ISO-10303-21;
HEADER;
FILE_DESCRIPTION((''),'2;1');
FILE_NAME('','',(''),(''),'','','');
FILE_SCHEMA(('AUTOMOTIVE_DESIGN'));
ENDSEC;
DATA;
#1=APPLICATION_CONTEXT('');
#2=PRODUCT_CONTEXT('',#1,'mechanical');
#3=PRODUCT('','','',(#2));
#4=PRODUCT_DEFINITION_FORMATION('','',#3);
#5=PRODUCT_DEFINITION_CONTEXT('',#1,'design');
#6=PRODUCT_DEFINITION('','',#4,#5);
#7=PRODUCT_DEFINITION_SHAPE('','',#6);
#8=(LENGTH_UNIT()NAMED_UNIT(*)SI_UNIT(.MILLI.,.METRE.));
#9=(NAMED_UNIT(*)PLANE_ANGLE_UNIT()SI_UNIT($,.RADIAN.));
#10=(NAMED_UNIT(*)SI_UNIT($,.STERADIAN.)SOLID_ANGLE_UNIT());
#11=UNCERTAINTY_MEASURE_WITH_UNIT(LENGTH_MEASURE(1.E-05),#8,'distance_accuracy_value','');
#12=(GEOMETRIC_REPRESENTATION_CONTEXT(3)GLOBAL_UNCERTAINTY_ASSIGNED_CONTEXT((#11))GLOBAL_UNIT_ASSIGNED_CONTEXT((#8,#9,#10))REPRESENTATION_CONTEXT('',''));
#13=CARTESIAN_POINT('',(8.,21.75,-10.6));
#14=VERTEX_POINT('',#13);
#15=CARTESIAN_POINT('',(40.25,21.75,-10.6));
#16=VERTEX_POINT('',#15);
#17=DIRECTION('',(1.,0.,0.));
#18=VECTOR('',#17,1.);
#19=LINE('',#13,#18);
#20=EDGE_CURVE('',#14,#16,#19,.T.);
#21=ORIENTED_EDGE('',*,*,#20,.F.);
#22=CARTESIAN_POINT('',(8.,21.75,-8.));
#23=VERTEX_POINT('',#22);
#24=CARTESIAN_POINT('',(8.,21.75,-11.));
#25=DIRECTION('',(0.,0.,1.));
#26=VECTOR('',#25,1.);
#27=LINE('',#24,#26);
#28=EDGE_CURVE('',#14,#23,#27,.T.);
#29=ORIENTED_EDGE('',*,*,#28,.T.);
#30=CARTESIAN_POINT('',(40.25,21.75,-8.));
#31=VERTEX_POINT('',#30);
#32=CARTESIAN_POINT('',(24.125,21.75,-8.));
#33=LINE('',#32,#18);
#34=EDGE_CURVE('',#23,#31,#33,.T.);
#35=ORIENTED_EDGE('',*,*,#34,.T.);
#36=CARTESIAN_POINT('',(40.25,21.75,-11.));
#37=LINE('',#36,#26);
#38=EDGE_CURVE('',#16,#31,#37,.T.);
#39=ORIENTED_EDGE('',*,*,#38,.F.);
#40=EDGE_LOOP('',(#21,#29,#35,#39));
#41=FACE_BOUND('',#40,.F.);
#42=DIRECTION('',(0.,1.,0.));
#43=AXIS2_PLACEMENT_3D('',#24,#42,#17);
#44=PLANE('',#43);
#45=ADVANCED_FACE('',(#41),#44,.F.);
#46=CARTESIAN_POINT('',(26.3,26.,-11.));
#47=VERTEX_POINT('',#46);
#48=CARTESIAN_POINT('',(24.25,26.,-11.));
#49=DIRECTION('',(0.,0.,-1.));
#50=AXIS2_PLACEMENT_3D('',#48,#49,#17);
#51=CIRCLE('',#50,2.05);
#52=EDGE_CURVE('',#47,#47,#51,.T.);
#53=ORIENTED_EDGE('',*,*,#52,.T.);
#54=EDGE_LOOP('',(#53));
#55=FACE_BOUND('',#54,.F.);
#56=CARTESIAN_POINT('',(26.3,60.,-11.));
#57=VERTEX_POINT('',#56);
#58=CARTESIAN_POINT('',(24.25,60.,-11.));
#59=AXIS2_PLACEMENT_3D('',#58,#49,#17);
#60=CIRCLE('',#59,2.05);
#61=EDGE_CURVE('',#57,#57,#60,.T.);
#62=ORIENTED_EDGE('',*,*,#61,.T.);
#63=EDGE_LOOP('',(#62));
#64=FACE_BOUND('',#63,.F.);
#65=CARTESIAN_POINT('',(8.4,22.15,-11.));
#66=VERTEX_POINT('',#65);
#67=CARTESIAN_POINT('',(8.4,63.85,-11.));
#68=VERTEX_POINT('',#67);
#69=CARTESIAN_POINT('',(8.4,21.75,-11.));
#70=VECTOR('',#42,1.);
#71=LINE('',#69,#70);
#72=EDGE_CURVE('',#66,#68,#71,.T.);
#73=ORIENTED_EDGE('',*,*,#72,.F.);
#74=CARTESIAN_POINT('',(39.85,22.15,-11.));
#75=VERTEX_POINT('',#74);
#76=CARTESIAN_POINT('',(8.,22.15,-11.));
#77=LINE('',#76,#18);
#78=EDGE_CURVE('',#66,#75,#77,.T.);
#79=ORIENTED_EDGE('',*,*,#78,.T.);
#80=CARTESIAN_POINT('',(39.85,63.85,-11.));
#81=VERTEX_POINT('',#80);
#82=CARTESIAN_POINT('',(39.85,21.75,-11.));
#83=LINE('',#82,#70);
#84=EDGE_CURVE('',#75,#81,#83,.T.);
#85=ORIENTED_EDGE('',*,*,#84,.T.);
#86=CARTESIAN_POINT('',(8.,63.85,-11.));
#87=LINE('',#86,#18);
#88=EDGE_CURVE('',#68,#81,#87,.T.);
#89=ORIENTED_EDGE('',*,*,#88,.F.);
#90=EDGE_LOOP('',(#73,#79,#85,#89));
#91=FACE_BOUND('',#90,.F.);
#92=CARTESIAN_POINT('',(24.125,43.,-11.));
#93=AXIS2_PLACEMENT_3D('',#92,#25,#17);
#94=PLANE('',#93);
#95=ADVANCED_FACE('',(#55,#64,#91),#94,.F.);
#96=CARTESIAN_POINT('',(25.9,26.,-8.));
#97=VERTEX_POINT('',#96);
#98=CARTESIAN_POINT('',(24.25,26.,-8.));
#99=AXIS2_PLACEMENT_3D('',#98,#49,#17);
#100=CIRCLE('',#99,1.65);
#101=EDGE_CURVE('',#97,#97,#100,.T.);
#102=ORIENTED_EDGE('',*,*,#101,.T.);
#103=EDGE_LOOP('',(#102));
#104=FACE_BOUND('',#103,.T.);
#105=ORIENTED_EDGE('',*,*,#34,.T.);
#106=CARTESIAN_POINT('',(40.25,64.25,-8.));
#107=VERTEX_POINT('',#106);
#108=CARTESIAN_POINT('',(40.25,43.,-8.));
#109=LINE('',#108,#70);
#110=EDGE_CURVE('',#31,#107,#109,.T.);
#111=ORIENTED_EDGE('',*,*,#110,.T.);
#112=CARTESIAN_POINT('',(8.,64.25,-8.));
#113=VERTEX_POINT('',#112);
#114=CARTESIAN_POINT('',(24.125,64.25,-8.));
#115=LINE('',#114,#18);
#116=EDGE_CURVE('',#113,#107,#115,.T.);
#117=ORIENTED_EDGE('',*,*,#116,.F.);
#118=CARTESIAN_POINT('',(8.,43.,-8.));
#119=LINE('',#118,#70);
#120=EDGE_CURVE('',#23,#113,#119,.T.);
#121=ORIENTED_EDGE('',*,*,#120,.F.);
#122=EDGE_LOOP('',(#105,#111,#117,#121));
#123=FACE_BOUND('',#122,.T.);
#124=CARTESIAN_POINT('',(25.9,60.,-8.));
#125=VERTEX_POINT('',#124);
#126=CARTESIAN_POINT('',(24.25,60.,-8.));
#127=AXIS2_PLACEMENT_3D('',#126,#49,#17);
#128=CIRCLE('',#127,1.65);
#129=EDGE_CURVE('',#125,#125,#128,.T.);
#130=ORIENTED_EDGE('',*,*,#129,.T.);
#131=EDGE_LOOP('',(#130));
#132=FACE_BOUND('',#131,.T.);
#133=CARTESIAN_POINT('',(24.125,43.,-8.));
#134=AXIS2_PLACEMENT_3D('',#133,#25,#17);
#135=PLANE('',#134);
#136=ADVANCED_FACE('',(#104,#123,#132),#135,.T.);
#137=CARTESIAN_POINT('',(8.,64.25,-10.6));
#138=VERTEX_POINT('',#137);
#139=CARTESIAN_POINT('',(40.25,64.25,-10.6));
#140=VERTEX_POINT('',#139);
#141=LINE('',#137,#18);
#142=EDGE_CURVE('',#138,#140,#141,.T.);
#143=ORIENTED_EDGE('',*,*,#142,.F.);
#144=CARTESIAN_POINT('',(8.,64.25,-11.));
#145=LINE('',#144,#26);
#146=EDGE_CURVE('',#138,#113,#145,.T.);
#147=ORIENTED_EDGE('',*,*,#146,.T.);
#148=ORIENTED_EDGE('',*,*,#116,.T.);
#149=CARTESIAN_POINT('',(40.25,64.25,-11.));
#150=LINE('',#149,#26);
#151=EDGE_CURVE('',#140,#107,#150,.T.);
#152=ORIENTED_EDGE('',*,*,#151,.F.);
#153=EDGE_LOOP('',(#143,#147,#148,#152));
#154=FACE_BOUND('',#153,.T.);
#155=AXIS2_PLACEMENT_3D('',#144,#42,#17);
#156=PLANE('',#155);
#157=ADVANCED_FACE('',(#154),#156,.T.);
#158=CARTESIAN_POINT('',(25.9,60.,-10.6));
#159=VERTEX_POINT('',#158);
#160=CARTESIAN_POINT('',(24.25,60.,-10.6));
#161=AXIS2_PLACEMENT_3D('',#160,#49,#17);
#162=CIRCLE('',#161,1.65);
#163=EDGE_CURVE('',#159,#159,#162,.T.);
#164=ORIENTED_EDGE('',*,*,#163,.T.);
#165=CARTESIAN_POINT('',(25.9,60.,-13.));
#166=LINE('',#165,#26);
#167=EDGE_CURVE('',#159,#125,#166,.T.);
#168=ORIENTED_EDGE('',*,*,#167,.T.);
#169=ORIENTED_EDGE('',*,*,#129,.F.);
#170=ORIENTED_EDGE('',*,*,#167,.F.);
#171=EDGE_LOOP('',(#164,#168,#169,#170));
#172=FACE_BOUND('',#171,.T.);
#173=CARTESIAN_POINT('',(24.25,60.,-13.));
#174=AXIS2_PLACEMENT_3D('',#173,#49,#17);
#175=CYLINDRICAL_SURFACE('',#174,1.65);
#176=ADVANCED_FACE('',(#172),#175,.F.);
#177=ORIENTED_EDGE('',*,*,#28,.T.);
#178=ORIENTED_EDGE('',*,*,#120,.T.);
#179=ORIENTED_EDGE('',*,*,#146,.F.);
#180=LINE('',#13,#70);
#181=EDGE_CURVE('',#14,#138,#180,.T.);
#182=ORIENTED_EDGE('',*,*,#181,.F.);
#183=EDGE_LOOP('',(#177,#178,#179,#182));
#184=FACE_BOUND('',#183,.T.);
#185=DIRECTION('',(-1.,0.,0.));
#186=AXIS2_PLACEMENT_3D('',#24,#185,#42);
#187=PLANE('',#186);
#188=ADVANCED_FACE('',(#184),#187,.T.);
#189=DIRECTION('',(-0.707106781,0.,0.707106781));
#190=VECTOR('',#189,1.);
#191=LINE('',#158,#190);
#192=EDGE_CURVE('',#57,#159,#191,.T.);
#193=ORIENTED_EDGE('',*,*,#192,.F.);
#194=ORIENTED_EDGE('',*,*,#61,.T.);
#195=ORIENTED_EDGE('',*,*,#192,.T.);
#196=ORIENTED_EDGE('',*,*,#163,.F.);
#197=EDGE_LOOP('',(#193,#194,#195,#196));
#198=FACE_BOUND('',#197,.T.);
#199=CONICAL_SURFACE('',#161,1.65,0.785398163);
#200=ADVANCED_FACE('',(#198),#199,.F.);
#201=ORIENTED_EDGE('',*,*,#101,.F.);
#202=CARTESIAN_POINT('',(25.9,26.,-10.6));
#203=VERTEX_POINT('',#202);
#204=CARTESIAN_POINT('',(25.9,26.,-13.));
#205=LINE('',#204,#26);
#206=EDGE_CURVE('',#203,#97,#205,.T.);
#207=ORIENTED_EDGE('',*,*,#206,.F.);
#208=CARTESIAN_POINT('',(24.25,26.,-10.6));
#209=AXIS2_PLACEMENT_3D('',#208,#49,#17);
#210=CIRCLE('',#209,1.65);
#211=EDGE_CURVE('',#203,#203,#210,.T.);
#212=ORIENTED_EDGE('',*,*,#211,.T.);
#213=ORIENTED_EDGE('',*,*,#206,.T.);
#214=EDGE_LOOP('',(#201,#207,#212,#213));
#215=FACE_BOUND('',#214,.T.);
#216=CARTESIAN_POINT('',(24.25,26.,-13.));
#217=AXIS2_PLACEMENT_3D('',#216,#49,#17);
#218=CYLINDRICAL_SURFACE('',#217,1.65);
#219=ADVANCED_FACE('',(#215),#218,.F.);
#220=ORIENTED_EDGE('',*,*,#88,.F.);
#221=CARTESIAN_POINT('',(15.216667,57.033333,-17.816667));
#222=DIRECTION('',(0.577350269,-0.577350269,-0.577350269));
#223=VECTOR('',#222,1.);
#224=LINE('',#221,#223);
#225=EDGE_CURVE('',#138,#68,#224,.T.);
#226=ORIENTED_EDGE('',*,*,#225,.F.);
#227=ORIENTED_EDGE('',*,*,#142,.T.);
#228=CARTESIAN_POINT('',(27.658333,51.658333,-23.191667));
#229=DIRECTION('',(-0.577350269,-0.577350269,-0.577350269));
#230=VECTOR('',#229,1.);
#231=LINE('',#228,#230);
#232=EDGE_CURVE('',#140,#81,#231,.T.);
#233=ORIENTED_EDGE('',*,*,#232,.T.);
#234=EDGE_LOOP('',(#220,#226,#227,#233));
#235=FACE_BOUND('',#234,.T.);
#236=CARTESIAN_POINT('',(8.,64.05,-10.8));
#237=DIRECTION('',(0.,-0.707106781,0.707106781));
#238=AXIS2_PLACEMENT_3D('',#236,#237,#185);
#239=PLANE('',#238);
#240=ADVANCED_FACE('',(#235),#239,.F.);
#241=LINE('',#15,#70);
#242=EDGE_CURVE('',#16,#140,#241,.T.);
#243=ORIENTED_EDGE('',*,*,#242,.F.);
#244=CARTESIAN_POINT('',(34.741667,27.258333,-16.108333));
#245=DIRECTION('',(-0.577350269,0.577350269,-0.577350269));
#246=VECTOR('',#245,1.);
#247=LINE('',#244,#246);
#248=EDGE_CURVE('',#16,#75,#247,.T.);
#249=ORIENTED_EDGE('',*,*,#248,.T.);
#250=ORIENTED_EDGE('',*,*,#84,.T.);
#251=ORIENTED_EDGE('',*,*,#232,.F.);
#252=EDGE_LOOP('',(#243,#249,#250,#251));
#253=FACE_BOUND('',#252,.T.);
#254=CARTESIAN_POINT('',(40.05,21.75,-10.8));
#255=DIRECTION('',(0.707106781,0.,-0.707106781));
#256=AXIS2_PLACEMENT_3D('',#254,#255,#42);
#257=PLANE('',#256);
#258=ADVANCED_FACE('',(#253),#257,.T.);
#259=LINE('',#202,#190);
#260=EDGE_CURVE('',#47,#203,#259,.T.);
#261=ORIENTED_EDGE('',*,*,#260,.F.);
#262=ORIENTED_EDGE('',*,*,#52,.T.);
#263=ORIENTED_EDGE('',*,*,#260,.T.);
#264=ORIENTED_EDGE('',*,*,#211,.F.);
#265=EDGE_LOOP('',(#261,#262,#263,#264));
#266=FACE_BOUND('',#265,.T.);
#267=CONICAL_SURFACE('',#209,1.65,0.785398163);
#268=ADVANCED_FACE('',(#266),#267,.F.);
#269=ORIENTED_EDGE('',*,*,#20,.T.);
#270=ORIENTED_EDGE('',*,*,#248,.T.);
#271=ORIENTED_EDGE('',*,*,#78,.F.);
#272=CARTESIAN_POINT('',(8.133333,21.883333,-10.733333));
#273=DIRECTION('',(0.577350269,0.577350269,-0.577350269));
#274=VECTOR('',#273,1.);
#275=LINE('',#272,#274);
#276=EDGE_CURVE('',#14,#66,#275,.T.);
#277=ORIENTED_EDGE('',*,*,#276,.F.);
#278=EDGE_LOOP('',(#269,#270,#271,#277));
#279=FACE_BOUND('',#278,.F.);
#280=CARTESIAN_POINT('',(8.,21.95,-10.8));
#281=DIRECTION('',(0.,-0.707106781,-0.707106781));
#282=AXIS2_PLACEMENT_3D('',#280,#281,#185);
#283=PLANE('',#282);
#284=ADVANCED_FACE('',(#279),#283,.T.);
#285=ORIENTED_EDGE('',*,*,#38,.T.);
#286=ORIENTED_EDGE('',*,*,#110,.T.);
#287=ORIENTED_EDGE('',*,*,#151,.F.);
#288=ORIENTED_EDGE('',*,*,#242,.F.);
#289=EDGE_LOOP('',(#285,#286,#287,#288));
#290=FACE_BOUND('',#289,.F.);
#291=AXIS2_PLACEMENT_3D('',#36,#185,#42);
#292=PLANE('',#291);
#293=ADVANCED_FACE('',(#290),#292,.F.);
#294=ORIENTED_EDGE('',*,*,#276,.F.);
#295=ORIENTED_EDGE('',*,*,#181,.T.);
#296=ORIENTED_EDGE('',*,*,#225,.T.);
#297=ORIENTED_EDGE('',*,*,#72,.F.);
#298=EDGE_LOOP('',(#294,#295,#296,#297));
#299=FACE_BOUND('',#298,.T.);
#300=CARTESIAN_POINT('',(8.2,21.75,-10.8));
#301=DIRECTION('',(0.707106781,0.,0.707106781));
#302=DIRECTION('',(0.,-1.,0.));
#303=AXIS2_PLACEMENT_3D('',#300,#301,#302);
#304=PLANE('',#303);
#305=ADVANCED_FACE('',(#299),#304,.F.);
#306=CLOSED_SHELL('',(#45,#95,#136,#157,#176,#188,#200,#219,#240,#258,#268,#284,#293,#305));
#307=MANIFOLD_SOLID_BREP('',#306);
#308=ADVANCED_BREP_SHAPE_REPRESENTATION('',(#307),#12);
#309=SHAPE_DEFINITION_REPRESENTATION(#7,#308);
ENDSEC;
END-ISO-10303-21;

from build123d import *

# Parameters (mm, degrees)
CYLINDER043_R            = 1.65
CYLINDER043_DEPTH        = 10
CYLINDER044_R            = 1.65
CYLINDER044_DEPTH        = 10
BOX049_W                 = 32.25
BOX049_H                 = 42.5
BOX049_DEPTH             = 3
CHAMFER029006005013_SIZE = 0.4


with BuildPart() as cylinder043:
    # Cylinder043 → Cylinder043 (new body)
    with BuildSketch(Plane(origin=(24.25, 26, -13), x_dir=(1, 0, 0), z_dir=(0, 0, 1))):
        Circle(CYLINDER043_R)
    extrude(amount=CYLINDER043_DEPTH)


with BuildPart() as fusion006002011004053036004001_body:
    # Cylinder044 → Cylinder044 (new body)
    with BuildSketch(Plane(origin=(24.25, 60, -13), x_dir=(1, 0, 0), z_dir=(0, 0, 1))):
        Circle(CYLINDER044_R)
    extrude(amount=CYLINDER044_DEPTH)

    # Fusion006002011004053036004001028003011014: union Cylinder043
    add(cylinder043.part)


with BuildPart() as bottom_cover_r002:
    # Box049 → Box049 (new body)
    with BuildSketch(Plane(origin=(8, 21.75, -11), x_dir=(1, 0, 0), z_dir=(0, 0, 1))):
        with Locations((16.125, 21.25)):
            Rectangle(BOX049_W, BOX049_H)
    extrude(amount=BOX049_DEPTH)

    # Cut001024014003001002006005007: cut Fusion006002011004053036004001 body
    add(fusion006002011004053036004001_body.part, mode=Mode.SUBTRACT)

    # Chamfer029006005013
    chamfer029006005013_edges = [bottom_cover_r002.edges().sort_by_distance(p)[0] for p in [
        (8, 43, -11),
        (24.125, 21.75, -11),
        (24.125, 64.25, -11),
        (40.25, 43, -11),
        (22.6, 26, -11),
        (22.6, 60, -11),
    ]]
    chamfer(chamfer029006005013_edges, length=CHAMFER029006005013_SIZE)


solid = bottom_cover_r002.part
